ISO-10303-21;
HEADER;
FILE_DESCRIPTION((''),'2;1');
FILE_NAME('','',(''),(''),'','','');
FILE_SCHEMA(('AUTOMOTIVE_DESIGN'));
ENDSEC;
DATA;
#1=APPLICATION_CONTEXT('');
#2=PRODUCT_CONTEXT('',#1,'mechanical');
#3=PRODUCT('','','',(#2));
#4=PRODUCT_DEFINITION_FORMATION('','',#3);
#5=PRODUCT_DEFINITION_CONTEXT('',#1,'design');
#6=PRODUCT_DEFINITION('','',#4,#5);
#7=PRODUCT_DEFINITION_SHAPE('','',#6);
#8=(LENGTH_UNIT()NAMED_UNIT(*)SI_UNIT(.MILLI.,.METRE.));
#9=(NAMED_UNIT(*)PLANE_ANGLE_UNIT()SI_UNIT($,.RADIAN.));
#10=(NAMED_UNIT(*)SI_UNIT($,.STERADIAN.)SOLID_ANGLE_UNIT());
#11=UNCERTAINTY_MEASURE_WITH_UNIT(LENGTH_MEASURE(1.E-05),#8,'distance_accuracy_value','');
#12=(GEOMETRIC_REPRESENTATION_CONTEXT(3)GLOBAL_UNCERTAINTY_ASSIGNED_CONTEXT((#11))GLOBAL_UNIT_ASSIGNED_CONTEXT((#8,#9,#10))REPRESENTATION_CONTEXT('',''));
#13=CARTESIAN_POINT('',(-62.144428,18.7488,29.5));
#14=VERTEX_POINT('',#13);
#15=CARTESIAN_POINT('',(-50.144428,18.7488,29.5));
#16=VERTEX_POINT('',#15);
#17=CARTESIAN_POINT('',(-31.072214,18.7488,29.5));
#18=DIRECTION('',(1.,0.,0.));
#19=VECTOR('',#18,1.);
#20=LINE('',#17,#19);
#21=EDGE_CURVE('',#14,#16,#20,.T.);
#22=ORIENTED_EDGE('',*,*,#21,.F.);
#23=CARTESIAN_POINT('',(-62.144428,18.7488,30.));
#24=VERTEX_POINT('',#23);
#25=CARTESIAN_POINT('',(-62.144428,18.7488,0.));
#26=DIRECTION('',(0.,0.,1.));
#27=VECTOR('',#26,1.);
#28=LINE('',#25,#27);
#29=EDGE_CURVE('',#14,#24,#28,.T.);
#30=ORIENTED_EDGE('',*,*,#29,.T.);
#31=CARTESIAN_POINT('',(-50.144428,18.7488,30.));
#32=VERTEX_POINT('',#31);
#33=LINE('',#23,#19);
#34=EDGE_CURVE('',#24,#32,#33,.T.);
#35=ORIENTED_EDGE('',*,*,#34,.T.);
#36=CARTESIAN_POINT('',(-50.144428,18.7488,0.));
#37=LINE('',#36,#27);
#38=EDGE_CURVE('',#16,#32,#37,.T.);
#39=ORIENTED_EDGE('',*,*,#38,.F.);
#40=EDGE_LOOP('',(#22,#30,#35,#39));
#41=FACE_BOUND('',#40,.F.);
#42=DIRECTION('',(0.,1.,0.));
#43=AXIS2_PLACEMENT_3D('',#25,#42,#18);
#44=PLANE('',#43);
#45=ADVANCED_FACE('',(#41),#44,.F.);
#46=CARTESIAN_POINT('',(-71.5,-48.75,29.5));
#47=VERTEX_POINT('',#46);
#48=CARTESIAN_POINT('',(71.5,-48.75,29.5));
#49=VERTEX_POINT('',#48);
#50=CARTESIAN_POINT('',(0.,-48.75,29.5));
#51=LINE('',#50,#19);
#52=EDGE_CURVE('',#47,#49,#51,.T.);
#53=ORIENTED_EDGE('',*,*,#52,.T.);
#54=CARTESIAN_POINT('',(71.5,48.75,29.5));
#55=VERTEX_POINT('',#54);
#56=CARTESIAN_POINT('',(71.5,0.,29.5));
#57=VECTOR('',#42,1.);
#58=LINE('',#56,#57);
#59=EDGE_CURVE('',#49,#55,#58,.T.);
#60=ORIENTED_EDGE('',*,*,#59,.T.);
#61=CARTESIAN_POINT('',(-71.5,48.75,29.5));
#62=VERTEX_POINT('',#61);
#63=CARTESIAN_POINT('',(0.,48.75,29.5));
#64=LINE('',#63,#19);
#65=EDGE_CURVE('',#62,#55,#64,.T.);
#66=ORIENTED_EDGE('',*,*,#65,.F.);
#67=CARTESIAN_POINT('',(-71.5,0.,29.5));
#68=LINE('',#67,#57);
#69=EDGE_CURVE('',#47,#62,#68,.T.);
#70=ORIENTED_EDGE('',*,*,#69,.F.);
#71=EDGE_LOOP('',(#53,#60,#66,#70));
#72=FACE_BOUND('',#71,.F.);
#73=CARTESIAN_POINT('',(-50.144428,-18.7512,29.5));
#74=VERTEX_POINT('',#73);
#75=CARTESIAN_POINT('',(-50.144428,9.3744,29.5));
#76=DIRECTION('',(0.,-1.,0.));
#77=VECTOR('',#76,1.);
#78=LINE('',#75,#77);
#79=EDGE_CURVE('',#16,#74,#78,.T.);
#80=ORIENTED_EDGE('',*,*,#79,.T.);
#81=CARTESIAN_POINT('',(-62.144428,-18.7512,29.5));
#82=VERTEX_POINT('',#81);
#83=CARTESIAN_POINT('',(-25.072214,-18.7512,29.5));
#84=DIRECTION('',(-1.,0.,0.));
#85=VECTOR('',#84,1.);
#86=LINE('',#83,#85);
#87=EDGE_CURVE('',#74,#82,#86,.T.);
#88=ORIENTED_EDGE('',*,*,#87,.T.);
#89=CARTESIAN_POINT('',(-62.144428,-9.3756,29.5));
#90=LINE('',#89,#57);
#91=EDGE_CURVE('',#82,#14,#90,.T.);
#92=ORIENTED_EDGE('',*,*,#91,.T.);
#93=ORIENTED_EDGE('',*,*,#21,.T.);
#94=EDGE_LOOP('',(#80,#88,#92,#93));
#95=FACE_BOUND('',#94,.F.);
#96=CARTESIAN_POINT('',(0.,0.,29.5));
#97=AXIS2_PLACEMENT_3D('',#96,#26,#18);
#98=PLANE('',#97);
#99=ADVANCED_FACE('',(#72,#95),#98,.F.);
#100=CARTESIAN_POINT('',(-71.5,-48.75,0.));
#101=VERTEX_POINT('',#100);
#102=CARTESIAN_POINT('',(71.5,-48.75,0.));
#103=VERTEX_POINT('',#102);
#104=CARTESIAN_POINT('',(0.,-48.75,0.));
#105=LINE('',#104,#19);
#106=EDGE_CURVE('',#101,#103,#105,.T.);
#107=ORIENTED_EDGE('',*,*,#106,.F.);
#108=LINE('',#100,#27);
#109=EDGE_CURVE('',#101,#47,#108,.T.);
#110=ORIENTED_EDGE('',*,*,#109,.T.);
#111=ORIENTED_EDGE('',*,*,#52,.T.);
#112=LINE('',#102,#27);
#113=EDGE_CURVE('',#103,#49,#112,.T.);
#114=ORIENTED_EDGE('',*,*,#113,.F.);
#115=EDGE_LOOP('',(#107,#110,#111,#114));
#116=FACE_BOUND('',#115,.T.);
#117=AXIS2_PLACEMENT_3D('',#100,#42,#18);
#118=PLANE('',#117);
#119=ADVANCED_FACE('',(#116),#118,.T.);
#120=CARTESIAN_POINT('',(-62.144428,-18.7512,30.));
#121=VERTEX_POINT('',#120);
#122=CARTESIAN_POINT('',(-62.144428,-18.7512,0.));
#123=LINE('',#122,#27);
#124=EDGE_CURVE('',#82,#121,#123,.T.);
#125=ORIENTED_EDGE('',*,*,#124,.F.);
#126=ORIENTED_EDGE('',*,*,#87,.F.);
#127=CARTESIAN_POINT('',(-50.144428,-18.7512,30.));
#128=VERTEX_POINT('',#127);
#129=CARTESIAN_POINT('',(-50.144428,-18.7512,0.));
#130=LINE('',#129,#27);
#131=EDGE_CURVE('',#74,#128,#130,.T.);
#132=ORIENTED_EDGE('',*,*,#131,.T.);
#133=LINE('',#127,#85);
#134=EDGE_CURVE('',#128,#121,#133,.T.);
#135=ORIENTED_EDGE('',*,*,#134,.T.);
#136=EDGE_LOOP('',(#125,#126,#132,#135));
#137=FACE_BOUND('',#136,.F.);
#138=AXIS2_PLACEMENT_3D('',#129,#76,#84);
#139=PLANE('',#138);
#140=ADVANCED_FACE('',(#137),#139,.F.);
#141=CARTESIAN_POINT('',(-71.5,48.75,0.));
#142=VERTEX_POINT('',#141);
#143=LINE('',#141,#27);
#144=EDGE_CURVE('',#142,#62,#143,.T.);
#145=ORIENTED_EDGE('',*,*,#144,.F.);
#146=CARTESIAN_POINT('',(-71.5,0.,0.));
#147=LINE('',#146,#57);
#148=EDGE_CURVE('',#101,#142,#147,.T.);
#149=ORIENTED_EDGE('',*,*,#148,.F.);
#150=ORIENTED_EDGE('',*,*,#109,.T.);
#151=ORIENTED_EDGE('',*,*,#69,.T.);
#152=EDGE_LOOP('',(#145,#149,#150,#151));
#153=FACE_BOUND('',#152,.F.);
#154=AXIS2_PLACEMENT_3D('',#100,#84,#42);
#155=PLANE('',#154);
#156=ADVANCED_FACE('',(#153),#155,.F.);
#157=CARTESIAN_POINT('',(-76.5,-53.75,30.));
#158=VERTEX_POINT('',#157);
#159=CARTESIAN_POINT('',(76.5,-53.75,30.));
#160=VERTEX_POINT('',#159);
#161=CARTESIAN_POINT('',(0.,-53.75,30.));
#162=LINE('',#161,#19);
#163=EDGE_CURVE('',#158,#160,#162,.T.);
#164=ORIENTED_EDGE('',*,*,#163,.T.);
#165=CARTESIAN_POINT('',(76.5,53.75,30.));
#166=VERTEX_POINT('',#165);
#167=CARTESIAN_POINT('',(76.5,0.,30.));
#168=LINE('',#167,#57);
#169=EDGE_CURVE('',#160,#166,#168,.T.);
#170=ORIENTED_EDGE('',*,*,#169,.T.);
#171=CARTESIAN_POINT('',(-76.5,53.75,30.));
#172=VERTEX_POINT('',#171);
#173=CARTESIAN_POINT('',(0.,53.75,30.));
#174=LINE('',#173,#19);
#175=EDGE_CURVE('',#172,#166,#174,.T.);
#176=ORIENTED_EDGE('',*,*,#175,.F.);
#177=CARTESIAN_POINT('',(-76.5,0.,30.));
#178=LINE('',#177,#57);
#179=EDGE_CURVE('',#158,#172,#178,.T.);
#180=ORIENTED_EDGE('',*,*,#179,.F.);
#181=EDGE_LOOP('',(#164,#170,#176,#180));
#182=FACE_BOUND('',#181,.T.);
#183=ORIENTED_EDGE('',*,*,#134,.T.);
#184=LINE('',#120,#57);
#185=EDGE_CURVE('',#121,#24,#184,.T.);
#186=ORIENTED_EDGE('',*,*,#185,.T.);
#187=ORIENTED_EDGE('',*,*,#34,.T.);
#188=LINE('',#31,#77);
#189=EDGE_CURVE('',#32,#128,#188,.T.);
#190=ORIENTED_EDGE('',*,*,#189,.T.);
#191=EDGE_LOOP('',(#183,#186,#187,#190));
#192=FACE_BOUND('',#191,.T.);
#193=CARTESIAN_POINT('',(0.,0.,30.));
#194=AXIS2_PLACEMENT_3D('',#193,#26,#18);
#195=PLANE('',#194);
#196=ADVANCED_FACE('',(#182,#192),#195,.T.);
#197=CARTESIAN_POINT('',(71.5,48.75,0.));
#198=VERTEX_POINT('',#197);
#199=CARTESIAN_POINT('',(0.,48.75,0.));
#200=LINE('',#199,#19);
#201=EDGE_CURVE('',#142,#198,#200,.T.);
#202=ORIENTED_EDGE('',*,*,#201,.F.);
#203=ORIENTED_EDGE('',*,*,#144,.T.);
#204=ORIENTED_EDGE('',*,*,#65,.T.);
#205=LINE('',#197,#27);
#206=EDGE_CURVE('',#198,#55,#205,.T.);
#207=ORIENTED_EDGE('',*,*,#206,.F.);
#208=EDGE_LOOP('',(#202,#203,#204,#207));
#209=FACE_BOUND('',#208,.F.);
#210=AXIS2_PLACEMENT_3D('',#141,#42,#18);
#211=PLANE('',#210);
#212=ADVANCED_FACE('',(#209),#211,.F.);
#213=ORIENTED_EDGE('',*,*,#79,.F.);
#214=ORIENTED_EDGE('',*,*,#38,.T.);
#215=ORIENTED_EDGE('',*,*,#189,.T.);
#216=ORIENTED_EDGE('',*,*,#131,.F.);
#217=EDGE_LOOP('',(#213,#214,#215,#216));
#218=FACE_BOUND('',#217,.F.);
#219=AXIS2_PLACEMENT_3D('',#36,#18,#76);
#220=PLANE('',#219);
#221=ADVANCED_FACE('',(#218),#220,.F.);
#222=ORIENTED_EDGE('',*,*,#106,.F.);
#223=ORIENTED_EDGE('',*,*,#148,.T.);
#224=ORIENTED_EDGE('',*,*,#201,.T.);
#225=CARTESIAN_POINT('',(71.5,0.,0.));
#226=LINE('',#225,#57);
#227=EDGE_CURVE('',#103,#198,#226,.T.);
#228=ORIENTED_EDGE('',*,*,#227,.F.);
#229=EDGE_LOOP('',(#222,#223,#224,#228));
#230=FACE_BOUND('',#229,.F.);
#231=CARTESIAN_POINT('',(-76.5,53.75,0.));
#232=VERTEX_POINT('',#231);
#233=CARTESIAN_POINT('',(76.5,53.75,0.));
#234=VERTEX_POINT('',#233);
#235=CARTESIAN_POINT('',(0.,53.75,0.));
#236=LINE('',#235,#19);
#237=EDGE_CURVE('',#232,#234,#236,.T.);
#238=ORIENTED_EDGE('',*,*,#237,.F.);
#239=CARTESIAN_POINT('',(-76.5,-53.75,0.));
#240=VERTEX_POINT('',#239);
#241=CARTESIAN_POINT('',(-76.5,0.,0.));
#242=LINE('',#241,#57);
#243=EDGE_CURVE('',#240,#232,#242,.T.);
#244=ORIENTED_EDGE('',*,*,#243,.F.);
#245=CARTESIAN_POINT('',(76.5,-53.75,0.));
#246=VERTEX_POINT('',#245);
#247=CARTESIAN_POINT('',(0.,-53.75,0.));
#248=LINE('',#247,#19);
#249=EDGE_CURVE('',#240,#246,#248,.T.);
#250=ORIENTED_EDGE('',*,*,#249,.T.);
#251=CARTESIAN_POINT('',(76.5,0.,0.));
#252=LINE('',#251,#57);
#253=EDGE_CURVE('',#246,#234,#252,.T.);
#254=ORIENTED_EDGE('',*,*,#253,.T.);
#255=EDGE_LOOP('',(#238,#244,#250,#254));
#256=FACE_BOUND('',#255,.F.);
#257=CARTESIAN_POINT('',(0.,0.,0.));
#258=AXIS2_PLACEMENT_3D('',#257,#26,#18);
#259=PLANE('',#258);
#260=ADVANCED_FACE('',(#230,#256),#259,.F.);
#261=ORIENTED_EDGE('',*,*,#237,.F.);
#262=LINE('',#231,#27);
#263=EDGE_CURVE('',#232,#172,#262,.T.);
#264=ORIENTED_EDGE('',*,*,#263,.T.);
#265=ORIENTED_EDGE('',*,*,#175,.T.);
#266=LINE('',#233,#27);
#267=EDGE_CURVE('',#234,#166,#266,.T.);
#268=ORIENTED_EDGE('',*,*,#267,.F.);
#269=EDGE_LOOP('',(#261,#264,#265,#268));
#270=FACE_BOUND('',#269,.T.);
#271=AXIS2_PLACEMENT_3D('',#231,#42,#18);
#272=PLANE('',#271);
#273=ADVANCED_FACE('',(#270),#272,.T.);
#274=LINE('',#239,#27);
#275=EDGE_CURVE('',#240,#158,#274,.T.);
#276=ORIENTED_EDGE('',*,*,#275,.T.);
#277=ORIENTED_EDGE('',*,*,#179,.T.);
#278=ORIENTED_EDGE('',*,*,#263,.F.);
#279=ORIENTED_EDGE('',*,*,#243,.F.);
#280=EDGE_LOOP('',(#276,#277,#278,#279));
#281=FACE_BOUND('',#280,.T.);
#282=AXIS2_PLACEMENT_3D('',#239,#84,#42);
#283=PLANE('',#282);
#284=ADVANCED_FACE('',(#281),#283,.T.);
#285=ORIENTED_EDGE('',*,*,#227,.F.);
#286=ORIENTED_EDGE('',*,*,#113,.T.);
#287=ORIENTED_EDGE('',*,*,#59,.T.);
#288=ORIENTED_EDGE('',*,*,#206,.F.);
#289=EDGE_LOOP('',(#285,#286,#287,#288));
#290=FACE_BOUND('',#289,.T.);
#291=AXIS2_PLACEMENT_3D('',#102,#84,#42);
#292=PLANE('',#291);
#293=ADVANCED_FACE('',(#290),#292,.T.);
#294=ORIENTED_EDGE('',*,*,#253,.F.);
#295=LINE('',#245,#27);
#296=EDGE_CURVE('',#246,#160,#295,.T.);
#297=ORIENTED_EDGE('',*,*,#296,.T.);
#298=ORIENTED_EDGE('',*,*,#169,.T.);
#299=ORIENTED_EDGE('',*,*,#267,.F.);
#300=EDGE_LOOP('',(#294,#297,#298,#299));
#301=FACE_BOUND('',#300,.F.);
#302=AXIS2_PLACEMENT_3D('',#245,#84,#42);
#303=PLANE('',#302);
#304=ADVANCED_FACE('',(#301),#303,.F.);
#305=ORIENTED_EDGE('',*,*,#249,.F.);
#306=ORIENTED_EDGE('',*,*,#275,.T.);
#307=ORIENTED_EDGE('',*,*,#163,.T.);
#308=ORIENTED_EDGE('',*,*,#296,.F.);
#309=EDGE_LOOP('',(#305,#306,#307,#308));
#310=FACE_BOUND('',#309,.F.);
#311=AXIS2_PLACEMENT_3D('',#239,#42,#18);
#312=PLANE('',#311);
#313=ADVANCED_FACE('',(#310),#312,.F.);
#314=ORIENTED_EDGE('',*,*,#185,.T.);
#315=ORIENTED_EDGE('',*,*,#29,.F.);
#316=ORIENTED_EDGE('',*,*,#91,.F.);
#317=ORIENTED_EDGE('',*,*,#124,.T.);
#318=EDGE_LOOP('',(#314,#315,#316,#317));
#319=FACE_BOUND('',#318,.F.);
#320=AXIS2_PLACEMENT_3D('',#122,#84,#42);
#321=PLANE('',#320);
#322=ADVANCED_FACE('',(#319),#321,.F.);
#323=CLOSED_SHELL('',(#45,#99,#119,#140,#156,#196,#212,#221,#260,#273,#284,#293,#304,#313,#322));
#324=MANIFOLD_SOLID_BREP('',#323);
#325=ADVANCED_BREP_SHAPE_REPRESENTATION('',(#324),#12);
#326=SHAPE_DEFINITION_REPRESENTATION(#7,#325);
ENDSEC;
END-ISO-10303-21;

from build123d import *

# Parameters (mm, degrees)
F0_W     = 153
F0_H     = 107.5
F1_DEPTH = 30
F2_W     = 143
F2_H     = 97.5
F3_DEPTH = 29.5


with BuildPart() as f1:
    # F0 (on Top) → F1 (new body)
    with BuildSketch(Plane.XY):
        Rectangle(F0_W, F0_H)
        Polygon((-62.144428, -18.7512), (-62.144428, 18.7488), (-50.144428, 18.7488), (-50.144428, 6.394679), (-50.144428, 0.0036), (-50.144428, -18.7512), align=None, mode=Mode.SUBTRACT)
    extrude(amount=F1_DEPTH)

    # F2 (on Top) → F3 (cut)
    with BuildSketch(Plane.XY):
        Rectangle(F2_W, F2_H)
    extrude(amount=F3_DEPTH, mode=Mode.SUBTRACT)


solid = f1.part
